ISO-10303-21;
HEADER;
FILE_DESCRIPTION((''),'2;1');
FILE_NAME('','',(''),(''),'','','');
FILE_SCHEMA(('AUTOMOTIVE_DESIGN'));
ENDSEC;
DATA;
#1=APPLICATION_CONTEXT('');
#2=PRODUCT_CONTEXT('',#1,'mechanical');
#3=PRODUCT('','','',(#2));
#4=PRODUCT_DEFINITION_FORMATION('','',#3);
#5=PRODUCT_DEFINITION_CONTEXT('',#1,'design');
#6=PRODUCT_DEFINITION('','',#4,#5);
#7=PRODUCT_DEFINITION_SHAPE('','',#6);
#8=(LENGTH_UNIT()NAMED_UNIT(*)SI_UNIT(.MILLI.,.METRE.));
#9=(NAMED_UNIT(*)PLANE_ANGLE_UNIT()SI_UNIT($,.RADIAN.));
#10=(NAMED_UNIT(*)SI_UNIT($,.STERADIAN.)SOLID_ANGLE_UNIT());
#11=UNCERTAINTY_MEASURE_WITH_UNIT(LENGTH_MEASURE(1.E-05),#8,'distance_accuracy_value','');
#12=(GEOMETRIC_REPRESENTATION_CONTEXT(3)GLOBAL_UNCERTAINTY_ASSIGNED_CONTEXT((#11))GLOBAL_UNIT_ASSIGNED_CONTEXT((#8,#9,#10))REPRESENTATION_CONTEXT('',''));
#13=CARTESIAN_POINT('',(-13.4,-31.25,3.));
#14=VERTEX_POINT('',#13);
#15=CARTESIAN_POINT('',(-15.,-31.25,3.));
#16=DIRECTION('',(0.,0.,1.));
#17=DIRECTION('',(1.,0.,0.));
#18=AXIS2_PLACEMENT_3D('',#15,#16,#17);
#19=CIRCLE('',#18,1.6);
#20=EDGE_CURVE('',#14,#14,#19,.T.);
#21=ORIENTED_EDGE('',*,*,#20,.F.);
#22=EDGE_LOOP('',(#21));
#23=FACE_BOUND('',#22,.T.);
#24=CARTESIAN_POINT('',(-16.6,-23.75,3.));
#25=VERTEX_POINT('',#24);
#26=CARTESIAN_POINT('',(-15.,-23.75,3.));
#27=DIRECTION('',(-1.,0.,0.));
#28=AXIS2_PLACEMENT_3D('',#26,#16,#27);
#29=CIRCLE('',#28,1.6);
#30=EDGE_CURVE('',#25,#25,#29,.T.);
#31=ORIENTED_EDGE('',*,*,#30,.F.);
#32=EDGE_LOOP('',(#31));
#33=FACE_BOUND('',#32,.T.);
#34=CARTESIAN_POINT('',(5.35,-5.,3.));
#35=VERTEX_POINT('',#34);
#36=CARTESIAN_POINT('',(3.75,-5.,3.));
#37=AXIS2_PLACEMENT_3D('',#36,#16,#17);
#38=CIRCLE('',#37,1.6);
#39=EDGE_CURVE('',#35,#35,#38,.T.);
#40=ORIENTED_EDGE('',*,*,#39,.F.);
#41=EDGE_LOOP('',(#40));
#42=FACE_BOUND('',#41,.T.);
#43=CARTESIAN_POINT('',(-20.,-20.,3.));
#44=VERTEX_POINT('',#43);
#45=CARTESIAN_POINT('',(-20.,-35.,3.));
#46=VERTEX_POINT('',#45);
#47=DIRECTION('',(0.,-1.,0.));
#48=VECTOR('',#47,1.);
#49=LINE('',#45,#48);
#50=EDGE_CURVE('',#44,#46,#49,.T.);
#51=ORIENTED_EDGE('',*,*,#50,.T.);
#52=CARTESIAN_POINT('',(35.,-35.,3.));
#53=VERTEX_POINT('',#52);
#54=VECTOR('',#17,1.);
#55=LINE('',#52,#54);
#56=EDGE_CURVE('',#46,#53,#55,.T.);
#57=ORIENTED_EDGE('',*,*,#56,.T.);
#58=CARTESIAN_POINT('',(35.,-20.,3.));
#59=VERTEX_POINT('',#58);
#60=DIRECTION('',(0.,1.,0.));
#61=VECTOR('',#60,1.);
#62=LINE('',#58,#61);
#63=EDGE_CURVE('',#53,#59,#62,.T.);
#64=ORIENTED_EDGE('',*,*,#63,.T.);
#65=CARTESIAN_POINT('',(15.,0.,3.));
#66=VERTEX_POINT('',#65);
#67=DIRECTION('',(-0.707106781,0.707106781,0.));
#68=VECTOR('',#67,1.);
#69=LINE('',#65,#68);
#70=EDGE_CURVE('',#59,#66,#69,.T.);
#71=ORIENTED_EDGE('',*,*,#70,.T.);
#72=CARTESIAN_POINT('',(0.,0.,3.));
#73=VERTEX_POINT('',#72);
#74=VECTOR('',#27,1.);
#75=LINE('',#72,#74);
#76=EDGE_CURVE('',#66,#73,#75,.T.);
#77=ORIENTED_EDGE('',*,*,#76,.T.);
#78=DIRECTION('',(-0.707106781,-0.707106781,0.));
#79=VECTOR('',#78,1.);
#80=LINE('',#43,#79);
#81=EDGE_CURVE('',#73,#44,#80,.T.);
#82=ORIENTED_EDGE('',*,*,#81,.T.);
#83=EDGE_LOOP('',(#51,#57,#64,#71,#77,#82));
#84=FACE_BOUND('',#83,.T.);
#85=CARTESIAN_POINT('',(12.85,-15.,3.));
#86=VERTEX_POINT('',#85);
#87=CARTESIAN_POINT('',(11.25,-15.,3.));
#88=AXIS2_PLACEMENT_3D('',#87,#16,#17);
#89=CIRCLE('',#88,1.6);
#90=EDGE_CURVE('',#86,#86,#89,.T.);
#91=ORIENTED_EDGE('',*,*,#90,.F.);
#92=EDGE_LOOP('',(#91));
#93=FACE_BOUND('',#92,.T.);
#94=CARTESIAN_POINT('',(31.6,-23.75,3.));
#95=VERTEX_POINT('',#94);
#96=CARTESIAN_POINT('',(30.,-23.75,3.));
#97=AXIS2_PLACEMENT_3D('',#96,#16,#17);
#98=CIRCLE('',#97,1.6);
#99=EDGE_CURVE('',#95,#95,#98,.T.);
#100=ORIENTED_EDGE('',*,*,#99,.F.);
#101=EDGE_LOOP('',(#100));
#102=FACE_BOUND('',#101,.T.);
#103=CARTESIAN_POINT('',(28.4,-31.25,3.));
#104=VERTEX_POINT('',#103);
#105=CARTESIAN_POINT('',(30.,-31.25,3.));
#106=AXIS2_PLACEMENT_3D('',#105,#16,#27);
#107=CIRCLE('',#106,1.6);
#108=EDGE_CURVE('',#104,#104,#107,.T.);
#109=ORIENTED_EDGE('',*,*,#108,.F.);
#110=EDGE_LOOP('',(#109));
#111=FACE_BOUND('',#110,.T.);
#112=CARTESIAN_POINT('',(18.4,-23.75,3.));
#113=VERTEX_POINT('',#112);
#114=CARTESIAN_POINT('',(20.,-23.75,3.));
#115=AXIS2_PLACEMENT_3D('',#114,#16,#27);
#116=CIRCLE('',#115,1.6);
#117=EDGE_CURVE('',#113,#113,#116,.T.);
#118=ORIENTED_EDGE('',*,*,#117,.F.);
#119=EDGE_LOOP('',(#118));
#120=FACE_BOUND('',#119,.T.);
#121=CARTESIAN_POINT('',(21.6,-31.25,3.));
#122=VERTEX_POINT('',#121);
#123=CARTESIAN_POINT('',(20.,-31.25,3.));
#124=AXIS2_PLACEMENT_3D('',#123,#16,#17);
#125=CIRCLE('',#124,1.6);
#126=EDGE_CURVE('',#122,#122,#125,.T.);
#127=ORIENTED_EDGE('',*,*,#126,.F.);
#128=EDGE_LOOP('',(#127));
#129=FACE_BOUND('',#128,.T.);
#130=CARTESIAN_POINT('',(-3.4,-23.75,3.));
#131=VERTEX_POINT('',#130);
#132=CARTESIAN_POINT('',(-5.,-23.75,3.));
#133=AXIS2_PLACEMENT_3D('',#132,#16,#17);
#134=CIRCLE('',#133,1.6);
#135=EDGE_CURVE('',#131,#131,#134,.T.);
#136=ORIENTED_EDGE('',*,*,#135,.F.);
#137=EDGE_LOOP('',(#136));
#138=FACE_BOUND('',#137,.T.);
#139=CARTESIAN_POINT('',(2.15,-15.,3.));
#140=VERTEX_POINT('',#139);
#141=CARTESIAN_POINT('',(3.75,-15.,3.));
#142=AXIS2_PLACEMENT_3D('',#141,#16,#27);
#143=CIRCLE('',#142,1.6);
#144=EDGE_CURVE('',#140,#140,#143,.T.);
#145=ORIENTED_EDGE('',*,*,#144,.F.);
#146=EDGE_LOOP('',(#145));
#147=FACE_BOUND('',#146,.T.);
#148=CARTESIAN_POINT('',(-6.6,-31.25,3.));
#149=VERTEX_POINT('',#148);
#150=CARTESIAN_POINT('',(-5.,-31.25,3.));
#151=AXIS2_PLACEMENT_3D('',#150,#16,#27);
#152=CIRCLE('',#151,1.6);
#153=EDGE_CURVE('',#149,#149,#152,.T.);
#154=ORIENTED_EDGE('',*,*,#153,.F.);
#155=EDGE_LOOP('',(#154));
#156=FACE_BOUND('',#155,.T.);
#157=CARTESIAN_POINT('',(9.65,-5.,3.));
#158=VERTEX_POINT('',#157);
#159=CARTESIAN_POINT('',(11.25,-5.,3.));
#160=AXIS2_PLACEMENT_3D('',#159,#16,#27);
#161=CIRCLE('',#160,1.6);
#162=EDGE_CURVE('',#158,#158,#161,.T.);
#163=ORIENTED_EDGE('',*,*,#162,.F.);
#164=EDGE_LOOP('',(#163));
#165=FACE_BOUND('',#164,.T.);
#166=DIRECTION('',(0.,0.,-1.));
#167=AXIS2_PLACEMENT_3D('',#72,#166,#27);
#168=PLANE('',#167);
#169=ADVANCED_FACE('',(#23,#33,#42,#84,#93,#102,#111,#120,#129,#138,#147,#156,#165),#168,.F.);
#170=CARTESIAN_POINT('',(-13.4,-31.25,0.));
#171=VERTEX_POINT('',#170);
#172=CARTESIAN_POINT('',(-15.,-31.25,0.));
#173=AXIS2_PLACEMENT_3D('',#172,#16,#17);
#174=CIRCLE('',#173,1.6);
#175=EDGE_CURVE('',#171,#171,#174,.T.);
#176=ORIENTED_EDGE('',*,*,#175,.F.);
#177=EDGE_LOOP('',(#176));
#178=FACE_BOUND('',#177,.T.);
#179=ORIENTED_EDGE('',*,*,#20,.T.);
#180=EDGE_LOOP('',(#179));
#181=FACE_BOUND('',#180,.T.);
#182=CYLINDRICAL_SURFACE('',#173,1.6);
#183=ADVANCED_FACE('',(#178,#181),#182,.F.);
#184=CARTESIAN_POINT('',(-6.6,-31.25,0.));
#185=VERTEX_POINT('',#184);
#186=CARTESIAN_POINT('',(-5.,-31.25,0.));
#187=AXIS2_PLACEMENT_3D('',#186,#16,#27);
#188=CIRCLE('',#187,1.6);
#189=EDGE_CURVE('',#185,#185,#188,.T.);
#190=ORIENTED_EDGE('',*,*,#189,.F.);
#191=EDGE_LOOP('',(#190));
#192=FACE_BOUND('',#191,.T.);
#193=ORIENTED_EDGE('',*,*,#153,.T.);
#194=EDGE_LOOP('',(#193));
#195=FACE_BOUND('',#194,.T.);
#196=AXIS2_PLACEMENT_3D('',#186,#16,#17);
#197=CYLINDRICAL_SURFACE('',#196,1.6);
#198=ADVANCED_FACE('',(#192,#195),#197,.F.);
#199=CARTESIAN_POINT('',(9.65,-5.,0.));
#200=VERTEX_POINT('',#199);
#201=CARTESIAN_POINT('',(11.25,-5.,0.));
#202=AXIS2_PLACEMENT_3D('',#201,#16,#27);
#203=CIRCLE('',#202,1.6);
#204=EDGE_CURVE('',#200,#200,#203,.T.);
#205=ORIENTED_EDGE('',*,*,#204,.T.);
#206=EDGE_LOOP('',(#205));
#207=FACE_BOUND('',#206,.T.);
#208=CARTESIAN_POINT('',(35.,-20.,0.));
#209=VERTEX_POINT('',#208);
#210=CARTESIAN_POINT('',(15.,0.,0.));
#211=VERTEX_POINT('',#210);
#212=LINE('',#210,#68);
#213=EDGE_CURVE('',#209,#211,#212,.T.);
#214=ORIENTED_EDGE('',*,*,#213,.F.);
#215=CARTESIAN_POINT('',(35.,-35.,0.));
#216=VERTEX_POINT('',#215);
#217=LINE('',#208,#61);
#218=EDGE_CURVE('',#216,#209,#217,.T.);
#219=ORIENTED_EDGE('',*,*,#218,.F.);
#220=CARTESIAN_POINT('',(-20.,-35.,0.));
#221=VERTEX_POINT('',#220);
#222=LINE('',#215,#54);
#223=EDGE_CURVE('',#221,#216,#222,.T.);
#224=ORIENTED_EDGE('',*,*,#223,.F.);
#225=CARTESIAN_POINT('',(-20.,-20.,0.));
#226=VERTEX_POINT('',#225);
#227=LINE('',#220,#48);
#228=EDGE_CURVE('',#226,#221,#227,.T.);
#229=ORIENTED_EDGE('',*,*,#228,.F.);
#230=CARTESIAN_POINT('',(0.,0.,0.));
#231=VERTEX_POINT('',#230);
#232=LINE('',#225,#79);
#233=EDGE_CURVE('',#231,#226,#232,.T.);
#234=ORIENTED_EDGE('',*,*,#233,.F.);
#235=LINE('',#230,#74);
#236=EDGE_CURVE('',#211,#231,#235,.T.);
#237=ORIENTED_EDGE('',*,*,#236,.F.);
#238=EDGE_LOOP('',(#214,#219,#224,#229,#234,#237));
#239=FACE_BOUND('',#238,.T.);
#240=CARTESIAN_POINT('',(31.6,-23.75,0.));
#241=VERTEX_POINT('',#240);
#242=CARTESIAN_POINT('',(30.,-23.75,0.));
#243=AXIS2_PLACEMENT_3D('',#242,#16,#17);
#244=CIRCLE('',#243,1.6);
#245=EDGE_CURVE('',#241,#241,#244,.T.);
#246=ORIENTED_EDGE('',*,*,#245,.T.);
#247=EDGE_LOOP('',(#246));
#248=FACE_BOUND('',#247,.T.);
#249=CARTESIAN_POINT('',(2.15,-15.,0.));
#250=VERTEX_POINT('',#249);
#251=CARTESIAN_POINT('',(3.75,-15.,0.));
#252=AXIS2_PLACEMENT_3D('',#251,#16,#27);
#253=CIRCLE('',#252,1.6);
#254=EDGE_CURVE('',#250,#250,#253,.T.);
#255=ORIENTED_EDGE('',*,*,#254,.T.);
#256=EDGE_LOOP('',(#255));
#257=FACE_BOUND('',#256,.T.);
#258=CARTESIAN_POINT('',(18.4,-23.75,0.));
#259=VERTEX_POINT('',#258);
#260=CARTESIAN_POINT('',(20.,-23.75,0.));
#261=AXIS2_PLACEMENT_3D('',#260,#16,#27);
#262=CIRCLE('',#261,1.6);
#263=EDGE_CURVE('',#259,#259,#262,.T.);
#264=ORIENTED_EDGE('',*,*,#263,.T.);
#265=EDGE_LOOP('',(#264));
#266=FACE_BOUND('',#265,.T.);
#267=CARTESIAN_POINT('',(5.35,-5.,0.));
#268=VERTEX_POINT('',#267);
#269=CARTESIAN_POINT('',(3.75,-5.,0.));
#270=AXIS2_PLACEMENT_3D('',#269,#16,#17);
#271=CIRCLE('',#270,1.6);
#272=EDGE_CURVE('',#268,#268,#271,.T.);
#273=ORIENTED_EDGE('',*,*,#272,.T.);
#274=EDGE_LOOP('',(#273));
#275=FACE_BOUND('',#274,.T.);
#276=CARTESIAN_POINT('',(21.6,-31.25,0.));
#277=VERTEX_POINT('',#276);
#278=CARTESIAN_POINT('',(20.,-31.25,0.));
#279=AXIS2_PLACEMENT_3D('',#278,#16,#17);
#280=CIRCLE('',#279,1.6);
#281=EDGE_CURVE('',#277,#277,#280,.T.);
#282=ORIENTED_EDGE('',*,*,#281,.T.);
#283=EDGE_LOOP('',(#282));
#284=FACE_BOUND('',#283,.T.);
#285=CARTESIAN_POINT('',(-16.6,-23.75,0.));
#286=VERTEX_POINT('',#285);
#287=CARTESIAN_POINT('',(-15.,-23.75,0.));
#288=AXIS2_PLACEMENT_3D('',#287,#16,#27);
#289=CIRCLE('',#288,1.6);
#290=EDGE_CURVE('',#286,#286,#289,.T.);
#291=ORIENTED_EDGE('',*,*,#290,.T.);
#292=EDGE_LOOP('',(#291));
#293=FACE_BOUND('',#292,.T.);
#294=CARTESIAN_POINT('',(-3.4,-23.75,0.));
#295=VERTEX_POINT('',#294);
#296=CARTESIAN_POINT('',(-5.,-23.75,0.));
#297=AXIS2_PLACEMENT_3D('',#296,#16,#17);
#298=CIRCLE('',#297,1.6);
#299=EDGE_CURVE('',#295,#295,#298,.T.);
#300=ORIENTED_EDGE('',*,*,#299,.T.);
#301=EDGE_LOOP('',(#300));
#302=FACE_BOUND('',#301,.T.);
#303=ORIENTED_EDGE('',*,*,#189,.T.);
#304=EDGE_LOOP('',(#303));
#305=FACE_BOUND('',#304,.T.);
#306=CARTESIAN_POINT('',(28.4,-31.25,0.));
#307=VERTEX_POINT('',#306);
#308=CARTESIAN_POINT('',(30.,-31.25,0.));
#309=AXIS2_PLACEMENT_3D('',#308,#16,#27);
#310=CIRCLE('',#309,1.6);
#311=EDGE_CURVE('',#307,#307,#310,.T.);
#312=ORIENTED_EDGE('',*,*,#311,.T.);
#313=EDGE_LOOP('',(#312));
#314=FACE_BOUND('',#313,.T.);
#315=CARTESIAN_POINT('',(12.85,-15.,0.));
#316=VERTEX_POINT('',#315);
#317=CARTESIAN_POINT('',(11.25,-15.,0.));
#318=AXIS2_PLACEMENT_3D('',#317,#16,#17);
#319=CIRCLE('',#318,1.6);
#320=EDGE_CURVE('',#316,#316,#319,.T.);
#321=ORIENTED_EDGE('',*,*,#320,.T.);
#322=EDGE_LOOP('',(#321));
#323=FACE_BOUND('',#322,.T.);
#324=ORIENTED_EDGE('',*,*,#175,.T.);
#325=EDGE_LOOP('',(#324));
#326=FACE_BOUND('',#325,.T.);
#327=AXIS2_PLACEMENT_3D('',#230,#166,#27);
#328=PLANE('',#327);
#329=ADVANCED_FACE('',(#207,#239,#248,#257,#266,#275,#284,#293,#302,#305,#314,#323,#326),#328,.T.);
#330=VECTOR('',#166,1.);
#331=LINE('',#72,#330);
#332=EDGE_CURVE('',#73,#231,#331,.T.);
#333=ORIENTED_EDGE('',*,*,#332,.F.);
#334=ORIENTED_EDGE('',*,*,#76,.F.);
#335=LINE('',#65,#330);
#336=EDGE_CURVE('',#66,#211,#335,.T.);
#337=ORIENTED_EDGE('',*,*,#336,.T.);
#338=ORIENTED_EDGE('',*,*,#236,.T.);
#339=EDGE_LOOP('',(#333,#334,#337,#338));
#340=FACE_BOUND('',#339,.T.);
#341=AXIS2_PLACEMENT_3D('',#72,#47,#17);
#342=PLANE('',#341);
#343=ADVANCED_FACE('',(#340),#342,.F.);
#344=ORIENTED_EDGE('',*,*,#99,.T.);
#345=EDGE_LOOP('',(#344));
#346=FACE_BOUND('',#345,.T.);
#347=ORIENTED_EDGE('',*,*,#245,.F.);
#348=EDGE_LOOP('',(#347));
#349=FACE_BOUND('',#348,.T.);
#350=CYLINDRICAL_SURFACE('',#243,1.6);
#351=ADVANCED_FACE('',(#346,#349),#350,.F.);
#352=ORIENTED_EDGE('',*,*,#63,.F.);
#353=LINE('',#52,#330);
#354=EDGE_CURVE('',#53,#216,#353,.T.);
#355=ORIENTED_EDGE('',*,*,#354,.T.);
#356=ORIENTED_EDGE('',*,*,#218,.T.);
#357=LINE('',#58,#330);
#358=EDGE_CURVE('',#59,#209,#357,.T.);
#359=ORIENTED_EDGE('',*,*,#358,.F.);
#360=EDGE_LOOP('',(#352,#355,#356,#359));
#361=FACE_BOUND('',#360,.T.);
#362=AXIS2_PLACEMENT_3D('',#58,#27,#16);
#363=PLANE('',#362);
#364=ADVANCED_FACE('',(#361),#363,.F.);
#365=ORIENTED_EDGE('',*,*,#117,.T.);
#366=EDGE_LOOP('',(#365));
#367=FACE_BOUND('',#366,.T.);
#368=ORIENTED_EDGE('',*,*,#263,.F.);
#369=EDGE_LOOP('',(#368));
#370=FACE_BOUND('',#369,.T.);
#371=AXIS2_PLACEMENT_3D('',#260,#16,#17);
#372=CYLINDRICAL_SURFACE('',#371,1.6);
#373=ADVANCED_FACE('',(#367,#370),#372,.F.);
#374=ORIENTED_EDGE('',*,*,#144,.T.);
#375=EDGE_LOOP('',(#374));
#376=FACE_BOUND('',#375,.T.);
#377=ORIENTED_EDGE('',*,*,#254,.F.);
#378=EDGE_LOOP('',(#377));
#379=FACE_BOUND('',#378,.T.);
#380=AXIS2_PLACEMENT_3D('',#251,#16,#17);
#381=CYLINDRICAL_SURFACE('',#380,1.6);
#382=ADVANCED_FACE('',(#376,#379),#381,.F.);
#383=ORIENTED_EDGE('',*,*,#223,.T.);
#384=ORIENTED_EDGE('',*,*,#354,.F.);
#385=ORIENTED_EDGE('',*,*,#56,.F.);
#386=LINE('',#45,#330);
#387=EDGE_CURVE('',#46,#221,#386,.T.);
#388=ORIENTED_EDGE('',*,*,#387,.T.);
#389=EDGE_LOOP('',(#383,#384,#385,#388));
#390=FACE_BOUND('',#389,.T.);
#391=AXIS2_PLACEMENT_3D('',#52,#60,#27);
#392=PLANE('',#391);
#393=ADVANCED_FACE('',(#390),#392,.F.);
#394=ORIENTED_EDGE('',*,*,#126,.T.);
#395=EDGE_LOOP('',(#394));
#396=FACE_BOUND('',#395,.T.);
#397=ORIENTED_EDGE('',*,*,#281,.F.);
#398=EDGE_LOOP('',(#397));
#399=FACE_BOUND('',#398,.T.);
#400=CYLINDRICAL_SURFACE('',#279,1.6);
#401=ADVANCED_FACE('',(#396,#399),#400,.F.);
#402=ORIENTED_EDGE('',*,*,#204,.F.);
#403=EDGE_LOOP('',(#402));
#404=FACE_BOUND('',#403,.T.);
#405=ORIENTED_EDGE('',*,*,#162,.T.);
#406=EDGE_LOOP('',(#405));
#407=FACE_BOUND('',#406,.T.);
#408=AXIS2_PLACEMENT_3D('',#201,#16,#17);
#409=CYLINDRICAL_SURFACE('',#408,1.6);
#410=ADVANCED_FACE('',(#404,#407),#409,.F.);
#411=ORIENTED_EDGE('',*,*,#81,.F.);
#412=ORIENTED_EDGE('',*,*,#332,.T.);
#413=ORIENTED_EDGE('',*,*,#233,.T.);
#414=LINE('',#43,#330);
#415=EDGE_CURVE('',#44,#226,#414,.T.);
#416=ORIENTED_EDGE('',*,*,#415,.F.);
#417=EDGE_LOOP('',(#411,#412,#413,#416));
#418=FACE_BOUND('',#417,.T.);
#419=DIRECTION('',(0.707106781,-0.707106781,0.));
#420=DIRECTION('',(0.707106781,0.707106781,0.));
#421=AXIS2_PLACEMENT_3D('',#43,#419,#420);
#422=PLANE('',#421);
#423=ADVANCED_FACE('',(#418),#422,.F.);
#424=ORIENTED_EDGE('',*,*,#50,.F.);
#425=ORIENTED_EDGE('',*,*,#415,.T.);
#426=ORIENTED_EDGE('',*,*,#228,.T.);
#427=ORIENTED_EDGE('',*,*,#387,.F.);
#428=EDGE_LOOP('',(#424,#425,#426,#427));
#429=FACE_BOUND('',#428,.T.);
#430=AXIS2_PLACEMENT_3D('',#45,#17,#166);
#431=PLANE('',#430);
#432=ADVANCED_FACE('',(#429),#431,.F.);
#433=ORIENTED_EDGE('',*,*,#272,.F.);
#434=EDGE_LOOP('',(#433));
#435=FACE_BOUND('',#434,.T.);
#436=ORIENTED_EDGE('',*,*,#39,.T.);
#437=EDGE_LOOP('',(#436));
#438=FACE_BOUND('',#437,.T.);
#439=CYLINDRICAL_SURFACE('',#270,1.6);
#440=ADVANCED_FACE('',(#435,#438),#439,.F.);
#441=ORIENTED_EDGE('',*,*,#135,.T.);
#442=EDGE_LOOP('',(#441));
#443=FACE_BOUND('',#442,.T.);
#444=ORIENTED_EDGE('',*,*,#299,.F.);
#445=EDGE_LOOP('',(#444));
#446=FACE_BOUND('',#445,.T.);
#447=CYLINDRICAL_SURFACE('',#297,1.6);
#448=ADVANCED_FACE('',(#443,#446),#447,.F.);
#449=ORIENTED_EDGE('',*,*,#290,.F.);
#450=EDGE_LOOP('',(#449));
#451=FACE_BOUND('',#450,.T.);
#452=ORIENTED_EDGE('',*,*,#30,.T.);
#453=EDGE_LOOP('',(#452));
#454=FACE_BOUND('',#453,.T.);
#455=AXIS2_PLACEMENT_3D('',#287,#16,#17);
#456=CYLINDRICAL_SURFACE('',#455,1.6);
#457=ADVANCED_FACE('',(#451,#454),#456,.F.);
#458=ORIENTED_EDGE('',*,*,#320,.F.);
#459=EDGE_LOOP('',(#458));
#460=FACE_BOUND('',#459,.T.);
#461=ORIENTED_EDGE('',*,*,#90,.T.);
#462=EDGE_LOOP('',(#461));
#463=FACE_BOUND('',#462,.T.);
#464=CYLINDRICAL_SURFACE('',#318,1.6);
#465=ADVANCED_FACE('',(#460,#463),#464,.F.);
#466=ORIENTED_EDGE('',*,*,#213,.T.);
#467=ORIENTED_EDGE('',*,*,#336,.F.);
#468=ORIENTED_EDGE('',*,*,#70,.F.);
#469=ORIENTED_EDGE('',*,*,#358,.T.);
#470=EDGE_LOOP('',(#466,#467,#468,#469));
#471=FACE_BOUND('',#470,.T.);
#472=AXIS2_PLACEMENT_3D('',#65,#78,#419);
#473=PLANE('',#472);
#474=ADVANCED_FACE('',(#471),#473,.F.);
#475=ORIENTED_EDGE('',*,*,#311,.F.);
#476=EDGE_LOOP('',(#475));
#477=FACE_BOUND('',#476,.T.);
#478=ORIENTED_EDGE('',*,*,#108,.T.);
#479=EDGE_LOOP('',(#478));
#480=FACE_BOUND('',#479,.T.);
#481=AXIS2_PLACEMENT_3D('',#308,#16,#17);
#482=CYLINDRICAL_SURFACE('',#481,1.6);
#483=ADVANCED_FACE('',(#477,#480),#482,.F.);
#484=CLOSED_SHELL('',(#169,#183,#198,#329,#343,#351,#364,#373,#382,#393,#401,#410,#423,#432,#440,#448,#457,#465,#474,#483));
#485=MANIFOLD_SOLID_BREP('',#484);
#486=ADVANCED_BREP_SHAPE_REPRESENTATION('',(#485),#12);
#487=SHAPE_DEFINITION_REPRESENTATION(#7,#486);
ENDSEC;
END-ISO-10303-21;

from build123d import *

# Parameters (mm, degrees)
EXTRUDE_1_DEPTH     = 3
SKETCH_2_R          = 1.6
CUT_EXTRUDE_1_DEPTH = 50.588305073


with BuildPart() as part:
    # 草图1 → 凸台-拉伸1 (new body)
    with BuildSketch(Plane.XY):
        Polygon((0, 0), (15, 0), (35, -20), (35, -35), (-20, -35), (-20, -20), align=None)
    extrude(amount=EXTRUDE_1_DEPTH)

    # 草图2 → 切除-拉伸1 (cut, through all)
    with BuildSketch(Plane.XY.offset(3)):
        with Locations((-15, -31.25)):
            Circle(SKETCH_2_R)
        with Locations(Location((-15, -23.75, 0), (0, 0, 180))):
            Circle(SKETCH_2_R)
        with Locations(Location((-5, -31.25, 0), (0, 0, 180))):
            Circle(SKETCH_2_R)
        with Locations((-5, -23.75)):
            Circle(SKETCH_2_R)
        with Locations((20, -31.25)):
            Circle(SKETCH_2_R)
        with Locations(Location((30, -31.25, 0), (0, 0, 180))):
            Circle(SKETCH_2_R)
        with Locations(Location((20, -23.75, 0), (0, 0, 180))):
            Circle(SKETCH_2_R)
        with Locations((30, -23.75)):
            Circle(SKETCH_2_R)
        with Locations((3.75, -5)):
            Circle(SKETCH_2_R)
        with Locations(Location((11.25, -5, 0), (0, 0, 180))):
            Circle(SKETCH_2_R)
        with Locations((11.25, -15)):
            Circle(SKETCH_2_R)
        with Locations(Location((3.75, -15, 0), (0, 0, 180))):
            Circle(SKETCH_2_R)
    extrude(amount=-CUT_EXTRUDE_1_DEPTH, mode=Mode.SUBTRACT)


solid = part.part
